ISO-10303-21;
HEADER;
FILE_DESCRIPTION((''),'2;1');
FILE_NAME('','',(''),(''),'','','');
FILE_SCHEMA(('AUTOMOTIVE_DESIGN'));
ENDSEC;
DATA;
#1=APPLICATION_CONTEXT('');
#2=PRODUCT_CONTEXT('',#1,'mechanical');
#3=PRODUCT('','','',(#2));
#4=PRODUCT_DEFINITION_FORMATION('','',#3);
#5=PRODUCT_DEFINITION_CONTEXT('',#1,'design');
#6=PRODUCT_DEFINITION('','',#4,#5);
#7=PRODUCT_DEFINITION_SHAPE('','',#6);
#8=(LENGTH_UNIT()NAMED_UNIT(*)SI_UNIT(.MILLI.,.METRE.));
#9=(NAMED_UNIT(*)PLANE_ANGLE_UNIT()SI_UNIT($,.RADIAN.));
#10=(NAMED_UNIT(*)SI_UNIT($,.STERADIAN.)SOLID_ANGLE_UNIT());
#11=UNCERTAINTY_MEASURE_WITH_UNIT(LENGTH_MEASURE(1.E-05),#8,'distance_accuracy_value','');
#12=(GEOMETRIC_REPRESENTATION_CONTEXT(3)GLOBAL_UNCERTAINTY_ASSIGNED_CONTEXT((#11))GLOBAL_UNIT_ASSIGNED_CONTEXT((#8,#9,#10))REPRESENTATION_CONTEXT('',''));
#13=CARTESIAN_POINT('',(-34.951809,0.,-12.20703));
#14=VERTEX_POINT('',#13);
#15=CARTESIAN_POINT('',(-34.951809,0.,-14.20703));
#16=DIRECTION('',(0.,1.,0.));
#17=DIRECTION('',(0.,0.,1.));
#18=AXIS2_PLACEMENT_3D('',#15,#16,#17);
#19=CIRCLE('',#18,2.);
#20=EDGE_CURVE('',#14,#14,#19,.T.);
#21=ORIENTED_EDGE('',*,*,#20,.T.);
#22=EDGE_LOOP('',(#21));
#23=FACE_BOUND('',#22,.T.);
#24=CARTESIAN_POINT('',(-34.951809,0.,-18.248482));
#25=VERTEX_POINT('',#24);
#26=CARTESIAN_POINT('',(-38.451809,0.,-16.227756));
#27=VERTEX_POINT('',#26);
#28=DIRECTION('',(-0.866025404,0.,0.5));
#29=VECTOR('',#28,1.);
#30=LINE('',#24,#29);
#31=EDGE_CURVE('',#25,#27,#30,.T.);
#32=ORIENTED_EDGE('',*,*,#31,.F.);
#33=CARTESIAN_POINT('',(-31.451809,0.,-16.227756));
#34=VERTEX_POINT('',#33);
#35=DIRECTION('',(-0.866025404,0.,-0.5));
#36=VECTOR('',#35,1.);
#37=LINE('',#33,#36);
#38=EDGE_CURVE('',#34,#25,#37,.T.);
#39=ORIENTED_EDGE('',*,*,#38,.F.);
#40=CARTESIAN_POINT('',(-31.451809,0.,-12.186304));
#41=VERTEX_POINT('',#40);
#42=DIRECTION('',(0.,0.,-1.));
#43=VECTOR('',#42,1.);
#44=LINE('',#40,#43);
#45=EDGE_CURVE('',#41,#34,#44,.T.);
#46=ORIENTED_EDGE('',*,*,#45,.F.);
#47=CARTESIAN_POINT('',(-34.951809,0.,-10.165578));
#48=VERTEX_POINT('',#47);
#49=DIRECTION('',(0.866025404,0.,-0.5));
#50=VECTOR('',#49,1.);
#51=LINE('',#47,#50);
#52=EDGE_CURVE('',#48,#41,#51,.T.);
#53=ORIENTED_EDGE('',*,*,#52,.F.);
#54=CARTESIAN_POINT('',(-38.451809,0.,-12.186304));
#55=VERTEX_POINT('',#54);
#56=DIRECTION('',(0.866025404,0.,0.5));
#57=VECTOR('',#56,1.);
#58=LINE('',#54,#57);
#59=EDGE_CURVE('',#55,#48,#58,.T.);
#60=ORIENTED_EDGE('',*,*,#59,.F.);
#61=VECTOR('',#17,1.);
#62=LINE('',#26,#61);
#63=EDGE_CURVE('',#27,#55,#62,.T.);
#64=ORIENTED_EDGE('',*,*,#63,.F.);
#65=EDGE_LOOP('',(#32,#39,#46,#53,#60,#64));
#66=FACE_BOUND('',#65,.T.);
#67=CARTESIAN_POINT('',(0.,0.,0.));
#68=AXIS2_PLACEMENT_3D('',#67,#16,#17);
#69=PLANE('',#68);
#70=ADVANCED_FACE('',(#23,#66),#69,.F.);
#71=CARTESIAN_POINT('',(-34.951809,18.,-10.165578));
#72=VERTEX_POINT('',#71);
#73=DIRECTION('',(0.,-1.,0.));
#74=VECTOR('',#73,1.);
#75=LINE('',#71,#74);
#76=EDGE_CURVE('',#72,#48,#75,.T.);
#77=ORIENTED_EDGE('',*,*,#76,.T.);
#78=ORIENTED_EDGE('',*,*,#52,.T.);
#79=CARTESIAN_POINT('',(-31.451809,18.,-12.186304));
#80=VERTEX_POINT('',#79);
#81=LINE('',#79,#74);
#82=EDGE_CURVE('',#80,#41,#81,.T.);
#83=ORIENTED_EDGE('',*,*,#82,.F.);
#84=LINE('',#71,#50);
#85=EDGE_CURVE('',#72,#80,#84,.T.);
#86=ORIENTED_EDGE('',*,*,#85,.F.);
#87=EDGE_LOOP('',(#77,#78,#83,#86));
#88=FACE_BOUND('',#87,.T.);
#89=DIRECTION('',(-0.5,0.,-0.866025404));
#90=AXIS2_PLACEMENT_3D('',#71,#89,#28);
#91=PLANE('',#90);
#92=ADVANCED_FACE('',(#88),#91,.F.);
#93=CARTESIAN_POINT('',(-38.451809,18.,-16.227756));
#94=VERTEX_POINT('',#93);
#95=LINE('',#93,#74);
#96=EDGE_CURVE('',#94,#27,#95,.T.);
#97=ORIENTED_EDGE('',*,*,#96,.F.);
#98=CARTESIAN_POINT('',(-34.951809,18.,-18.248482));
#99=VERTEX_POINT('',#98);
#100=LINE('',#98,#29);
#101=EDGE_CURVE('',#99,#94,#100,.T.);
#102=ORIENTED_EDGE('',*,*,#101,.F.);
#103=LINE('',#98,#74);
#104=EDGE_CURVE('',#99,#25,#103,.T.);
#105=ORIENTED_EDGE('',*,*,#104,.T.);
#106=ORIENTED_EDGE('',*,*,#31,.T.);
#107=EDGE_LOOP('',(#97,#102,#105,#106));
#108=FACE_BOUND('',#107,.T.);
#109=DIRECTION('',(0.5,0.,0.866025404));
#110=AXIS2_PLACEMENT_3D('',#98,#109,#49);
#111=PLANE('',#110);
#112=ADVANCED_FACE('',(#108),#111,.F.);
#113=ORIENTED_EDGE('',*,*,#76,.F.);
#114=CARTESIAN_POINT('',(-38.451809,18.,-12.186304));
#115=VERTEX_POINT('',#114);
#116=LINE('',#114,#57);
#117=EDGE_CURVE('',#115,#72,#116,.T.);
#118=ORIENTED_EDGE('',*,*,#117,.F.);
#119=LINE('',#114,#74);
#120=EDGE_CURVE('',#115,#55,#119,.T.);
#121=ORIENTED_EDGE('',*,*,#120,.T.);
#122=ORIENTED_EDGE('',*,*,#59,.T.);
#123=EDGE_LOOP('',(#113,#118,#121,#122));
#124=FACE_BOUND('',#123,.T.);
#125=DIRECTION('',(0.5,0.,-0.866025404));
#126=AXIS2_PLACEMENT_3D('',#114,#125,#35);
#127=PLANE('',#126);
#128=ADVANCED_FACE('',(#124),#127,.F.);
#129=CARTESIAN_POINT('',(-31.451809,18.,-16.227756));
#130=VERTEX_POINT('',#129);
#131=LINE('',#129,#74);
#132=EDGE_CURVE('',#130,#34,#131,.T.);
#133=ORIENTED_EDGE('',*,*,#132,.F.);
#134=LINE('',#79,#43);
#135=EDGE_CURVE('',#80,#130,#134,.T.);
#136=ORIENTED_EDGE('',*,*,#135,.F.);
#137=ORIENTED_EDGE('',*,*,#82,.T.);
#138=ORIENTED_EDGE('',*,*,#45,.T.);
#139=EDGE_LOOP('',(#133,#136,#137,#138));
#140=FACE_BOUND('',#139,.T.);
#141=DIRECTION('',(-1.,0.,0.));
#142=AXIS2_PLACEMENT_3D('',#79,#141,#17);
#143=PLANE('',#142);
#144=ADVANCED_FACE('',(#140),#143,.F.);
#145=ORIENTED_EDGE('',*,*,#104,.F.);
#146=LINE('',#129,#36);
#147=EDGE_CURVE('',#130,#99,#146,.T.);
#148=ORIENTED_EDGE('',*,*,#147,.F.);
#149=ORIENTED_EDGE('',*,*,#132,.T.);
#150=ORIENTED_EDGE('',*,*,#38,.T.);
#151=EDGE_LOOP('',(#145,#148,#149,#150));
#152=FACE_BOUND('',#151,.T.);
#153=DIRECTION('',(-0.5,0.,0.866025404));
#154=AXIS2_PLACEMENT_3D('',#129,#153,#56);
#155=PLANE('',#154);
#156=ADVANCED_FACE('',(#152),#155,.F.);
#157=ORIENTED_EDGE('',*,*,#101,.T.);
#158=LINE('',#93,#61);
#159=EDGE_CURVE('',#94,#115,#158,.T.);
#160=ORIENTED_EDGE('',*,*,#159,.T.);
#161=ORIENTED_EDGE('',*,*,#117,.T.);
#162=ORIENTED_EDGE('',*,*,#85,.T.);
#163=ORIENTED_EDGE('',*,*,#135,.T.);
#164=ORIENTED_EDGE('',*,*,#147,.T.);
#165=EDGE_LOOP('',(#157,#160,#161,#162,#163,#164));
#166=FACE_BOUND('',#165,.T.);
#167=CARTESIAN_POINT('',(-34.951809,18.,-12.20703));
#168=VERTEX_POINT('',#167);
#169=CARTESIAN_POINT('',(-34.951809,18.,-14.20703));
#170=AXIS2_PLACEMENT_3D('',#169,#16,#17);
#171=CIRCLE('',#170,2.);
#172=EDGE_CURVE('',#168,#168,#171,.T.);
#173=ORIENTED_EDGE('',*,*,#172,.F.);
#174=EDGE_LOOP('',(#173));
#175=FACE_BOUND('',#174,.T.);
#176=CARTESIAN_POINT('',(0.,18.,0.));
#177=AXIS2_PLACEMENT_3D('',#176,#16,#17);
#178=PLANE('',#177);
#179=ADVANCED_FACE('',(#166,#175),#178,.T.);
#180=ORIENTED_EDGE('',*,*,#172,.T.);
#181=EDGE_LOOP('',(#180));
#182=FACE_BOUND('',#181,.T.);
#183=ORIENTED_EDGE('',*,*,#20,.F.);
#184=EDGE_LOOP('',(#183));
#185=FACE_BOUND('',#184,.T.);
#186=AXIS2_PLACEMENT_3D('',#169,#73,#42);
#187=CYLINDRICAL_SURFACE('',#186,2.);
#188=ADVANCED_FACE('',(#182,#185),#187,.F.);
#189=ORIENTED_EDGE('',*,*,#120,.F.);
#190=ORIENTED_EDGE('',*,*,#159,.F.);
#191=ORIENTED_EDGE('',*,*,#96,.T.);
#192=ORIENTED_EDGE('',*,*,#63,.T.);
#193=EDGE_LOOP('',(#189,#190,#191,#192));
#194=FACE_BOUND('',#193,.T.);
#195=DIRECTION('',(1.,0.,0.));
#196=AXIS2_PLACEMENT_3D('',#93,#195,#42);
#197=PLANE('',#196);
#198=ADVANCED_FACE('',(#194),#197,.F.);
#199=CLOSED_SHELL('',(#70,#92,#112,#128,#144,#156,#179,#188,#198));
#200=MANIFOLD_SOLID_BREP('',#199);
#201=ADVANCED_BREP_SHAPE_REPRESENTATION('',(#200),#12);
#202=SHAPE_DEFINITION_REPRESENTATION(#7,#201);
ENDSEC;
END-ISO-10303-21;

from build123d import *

# Parameters (mm, degrees)
SKETCH1_R           = 2
BOSS_EXTRUDE1_DEPTH = 18


with BuildPart() as part:
    # Sketch1 → Boss-Extrude1 (new body)
    with BuildSketch(Plane(origin=(0, 0, 0), x_dir=(1, 0, 0), z_dir=(0, 1, 0))):
        Polygon((-34.951809206, 18.248482245), (-38.451809206, 16.227756303), (-38.451809206, 12.186304419), (-34.951809206, 10.165578476), (-31.451809206, 12.186304419), (-31.451809206, 16.227756303), align=None)
        with Locations((-34.951809206, 14.207030361)):
            Circle(SKETCH1_R, mode=Mode.SUBTRACT)
    extrude(amount=BOSS_EXTRUDE1_DEPTH)


solid = part.part
